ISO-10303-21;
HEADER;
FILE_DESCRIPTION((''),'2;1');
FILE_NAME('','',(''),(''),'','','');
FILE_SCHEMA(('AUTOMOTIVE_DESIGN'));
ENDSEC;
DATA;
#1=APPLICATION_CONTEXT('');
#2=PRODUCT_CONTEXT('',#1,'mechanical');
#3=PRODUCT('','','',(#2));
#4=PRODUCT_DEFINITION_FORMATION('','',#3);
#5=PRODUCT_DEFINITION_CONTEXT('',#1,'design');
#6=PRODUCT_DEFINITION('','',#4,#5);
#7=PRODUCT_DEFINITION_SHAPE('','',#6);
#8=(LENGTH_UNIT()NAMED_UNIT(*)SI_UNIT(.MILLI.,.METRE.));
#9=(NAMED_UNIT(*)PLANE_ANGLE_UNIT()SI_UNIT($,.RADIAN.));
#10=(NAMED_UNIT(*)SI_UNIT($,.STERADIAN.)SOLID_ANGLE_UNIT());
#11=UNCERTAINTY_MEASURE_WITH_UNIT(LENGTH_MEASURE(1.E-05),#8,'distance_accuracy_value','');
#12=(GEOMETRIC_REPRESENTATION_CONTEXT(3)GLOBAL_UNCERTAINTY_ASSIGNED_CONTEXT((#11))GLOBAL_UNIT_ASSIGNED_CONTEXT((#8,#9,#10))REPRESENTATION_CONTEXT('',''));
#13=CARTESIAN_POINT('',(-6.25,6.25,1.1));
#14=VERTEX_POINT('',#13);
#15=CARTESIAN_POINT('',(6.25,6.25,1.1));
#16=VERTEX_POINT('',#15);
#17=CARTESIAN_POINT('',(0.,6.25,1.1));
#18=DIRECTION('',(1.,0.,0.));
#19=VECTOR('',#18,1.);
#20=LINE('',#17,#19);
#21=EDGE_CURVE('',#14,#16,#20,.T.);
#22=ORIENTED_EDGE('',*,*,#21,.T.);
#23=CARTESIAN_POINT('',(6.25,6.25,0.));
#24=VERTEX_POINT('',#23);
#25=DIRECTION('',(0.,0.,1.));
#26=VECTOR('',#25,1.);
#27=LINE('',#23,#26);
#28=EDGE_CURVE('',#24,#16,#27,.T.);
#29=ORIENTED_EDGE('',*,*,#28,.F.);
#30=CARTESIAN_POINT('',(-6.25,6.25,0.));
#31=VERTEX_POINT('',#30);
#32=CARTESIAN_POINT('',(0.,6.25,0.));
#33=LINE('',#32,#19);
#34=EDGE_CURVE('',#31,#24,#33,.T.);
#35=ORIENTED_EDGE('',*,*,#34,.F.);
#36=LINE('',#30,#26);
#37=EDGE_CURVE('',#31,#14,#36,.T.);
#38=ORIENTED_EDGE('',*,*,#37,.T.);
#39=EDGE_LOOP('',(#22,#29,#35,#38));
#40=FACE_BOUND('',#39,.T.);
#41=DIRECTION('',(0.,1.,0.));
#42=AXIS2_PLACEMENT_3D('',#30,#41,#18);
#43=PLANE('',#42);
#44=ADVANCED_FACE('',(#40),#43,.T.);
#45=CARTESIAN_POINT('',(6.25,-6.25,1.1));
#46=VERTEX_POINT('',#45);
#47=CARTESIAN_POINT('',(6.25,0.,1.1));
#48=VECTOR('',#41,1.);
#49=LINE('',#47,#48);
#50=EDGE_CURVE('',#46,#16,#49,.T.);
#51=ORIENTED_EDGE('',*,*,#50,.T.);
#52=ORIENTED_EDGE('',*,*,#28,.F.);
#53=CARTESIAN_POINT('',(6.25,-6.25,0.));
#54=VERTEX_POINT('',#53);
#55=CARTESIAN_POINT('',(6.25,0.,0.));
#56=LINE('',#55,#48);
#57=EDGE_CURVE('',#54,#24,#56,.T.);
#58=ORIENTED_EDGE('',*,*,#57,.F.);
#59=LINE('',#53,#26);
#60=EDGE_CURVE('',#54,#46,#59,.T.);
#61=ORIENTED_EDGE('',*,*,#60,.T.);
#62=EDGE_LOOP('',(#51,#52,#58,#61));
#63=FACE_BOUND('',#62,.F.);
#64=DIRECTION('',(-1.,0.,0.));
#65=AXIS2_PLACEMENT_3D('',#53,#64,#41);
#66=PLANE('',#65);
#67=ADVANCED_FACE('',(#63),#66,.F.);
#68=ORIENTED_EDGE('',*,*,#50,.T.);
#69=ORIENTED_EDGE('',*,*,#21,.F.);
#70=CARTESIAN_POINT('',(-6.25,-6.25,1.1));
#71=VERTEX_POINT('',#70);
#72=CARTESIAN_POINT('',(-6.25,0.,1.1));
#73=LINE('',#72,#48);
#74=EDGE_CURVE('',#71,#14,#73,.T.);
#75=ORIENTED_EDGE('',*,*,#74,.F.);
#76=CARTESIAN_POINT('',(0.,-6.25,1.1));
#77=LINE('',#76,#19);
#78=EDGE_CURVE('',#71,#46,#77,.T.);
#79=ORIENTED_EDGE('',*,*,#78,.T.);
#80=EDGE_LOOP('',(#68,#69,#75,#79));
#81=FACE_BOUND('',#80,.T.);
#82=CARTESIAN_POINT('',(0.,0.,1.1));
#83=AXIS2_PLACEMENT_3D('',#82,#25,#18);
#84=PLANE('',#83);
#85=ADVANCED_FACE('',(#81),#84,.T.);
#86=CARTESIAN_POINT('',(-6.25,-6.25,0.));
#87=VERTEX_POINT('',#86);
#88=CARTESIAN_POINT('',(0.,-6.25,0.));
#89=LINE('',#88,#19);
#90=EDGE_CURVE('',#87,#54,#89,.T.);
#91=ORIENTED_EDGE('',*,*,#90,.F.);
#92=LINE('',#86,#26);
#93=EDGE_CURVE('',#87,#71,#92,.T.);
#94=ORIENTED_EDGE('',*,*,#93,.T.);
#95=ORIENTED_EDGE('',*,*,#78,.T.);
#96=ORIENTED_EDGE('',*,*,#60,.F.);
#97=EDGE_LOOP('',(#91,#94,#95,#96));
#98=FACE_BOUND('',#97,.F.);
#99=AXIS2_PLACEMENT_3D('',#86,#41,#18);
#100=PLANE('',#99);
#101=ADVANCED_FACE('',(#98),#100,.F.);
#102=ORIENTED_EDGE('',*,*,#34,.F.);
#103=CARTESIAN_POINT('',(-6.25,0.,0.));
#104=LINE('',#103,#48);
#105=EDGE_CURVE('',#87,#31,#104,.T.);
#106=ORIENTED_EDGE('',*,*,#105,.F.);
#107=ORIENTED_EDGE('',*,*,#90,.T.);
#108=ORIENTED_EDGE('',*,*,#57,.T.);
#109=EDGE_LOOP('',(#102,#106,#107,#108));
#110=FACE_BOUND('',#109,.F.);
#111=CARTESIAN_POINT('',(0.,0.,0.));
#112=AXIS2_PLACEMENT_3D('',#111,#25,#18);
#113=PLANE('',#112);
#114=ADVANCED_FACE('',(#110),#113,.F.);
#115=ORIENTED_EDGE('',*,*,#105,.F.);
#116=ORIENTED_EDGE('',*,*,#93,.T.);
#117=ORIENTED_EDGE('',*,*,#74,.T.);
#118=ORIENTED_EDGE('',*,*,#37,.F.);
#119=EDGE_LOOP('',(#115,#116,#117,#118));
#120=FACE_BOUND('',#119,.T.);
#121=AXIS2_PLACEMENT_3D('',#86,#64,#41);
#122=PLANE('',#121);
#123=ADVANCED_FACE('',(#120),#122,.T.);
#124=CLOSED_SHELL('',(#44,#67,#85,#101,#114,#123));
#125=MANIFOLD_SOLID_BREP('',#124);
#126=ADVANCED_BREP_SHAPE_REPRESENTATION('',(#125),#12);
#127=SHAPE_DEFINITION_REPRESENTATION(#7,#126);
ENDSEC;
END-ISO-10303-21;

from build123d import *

# Parameters (mm, degrees)
SKETCH_1_W      = 12.5
SKETCH_1_H      = 12.5
EXTRUDE_1_DEPTH = 1.1


with BuildPart() as part:
    # 草图1 → 凸台-拉伸1 (new body)
    with BuildSketch(Plane.XY):
        Rectangle(SKETCH_1_W, SKETCH_1_H)
    extrude(amount=EXTRUDE_1_DEPTH)


solid = part.part
